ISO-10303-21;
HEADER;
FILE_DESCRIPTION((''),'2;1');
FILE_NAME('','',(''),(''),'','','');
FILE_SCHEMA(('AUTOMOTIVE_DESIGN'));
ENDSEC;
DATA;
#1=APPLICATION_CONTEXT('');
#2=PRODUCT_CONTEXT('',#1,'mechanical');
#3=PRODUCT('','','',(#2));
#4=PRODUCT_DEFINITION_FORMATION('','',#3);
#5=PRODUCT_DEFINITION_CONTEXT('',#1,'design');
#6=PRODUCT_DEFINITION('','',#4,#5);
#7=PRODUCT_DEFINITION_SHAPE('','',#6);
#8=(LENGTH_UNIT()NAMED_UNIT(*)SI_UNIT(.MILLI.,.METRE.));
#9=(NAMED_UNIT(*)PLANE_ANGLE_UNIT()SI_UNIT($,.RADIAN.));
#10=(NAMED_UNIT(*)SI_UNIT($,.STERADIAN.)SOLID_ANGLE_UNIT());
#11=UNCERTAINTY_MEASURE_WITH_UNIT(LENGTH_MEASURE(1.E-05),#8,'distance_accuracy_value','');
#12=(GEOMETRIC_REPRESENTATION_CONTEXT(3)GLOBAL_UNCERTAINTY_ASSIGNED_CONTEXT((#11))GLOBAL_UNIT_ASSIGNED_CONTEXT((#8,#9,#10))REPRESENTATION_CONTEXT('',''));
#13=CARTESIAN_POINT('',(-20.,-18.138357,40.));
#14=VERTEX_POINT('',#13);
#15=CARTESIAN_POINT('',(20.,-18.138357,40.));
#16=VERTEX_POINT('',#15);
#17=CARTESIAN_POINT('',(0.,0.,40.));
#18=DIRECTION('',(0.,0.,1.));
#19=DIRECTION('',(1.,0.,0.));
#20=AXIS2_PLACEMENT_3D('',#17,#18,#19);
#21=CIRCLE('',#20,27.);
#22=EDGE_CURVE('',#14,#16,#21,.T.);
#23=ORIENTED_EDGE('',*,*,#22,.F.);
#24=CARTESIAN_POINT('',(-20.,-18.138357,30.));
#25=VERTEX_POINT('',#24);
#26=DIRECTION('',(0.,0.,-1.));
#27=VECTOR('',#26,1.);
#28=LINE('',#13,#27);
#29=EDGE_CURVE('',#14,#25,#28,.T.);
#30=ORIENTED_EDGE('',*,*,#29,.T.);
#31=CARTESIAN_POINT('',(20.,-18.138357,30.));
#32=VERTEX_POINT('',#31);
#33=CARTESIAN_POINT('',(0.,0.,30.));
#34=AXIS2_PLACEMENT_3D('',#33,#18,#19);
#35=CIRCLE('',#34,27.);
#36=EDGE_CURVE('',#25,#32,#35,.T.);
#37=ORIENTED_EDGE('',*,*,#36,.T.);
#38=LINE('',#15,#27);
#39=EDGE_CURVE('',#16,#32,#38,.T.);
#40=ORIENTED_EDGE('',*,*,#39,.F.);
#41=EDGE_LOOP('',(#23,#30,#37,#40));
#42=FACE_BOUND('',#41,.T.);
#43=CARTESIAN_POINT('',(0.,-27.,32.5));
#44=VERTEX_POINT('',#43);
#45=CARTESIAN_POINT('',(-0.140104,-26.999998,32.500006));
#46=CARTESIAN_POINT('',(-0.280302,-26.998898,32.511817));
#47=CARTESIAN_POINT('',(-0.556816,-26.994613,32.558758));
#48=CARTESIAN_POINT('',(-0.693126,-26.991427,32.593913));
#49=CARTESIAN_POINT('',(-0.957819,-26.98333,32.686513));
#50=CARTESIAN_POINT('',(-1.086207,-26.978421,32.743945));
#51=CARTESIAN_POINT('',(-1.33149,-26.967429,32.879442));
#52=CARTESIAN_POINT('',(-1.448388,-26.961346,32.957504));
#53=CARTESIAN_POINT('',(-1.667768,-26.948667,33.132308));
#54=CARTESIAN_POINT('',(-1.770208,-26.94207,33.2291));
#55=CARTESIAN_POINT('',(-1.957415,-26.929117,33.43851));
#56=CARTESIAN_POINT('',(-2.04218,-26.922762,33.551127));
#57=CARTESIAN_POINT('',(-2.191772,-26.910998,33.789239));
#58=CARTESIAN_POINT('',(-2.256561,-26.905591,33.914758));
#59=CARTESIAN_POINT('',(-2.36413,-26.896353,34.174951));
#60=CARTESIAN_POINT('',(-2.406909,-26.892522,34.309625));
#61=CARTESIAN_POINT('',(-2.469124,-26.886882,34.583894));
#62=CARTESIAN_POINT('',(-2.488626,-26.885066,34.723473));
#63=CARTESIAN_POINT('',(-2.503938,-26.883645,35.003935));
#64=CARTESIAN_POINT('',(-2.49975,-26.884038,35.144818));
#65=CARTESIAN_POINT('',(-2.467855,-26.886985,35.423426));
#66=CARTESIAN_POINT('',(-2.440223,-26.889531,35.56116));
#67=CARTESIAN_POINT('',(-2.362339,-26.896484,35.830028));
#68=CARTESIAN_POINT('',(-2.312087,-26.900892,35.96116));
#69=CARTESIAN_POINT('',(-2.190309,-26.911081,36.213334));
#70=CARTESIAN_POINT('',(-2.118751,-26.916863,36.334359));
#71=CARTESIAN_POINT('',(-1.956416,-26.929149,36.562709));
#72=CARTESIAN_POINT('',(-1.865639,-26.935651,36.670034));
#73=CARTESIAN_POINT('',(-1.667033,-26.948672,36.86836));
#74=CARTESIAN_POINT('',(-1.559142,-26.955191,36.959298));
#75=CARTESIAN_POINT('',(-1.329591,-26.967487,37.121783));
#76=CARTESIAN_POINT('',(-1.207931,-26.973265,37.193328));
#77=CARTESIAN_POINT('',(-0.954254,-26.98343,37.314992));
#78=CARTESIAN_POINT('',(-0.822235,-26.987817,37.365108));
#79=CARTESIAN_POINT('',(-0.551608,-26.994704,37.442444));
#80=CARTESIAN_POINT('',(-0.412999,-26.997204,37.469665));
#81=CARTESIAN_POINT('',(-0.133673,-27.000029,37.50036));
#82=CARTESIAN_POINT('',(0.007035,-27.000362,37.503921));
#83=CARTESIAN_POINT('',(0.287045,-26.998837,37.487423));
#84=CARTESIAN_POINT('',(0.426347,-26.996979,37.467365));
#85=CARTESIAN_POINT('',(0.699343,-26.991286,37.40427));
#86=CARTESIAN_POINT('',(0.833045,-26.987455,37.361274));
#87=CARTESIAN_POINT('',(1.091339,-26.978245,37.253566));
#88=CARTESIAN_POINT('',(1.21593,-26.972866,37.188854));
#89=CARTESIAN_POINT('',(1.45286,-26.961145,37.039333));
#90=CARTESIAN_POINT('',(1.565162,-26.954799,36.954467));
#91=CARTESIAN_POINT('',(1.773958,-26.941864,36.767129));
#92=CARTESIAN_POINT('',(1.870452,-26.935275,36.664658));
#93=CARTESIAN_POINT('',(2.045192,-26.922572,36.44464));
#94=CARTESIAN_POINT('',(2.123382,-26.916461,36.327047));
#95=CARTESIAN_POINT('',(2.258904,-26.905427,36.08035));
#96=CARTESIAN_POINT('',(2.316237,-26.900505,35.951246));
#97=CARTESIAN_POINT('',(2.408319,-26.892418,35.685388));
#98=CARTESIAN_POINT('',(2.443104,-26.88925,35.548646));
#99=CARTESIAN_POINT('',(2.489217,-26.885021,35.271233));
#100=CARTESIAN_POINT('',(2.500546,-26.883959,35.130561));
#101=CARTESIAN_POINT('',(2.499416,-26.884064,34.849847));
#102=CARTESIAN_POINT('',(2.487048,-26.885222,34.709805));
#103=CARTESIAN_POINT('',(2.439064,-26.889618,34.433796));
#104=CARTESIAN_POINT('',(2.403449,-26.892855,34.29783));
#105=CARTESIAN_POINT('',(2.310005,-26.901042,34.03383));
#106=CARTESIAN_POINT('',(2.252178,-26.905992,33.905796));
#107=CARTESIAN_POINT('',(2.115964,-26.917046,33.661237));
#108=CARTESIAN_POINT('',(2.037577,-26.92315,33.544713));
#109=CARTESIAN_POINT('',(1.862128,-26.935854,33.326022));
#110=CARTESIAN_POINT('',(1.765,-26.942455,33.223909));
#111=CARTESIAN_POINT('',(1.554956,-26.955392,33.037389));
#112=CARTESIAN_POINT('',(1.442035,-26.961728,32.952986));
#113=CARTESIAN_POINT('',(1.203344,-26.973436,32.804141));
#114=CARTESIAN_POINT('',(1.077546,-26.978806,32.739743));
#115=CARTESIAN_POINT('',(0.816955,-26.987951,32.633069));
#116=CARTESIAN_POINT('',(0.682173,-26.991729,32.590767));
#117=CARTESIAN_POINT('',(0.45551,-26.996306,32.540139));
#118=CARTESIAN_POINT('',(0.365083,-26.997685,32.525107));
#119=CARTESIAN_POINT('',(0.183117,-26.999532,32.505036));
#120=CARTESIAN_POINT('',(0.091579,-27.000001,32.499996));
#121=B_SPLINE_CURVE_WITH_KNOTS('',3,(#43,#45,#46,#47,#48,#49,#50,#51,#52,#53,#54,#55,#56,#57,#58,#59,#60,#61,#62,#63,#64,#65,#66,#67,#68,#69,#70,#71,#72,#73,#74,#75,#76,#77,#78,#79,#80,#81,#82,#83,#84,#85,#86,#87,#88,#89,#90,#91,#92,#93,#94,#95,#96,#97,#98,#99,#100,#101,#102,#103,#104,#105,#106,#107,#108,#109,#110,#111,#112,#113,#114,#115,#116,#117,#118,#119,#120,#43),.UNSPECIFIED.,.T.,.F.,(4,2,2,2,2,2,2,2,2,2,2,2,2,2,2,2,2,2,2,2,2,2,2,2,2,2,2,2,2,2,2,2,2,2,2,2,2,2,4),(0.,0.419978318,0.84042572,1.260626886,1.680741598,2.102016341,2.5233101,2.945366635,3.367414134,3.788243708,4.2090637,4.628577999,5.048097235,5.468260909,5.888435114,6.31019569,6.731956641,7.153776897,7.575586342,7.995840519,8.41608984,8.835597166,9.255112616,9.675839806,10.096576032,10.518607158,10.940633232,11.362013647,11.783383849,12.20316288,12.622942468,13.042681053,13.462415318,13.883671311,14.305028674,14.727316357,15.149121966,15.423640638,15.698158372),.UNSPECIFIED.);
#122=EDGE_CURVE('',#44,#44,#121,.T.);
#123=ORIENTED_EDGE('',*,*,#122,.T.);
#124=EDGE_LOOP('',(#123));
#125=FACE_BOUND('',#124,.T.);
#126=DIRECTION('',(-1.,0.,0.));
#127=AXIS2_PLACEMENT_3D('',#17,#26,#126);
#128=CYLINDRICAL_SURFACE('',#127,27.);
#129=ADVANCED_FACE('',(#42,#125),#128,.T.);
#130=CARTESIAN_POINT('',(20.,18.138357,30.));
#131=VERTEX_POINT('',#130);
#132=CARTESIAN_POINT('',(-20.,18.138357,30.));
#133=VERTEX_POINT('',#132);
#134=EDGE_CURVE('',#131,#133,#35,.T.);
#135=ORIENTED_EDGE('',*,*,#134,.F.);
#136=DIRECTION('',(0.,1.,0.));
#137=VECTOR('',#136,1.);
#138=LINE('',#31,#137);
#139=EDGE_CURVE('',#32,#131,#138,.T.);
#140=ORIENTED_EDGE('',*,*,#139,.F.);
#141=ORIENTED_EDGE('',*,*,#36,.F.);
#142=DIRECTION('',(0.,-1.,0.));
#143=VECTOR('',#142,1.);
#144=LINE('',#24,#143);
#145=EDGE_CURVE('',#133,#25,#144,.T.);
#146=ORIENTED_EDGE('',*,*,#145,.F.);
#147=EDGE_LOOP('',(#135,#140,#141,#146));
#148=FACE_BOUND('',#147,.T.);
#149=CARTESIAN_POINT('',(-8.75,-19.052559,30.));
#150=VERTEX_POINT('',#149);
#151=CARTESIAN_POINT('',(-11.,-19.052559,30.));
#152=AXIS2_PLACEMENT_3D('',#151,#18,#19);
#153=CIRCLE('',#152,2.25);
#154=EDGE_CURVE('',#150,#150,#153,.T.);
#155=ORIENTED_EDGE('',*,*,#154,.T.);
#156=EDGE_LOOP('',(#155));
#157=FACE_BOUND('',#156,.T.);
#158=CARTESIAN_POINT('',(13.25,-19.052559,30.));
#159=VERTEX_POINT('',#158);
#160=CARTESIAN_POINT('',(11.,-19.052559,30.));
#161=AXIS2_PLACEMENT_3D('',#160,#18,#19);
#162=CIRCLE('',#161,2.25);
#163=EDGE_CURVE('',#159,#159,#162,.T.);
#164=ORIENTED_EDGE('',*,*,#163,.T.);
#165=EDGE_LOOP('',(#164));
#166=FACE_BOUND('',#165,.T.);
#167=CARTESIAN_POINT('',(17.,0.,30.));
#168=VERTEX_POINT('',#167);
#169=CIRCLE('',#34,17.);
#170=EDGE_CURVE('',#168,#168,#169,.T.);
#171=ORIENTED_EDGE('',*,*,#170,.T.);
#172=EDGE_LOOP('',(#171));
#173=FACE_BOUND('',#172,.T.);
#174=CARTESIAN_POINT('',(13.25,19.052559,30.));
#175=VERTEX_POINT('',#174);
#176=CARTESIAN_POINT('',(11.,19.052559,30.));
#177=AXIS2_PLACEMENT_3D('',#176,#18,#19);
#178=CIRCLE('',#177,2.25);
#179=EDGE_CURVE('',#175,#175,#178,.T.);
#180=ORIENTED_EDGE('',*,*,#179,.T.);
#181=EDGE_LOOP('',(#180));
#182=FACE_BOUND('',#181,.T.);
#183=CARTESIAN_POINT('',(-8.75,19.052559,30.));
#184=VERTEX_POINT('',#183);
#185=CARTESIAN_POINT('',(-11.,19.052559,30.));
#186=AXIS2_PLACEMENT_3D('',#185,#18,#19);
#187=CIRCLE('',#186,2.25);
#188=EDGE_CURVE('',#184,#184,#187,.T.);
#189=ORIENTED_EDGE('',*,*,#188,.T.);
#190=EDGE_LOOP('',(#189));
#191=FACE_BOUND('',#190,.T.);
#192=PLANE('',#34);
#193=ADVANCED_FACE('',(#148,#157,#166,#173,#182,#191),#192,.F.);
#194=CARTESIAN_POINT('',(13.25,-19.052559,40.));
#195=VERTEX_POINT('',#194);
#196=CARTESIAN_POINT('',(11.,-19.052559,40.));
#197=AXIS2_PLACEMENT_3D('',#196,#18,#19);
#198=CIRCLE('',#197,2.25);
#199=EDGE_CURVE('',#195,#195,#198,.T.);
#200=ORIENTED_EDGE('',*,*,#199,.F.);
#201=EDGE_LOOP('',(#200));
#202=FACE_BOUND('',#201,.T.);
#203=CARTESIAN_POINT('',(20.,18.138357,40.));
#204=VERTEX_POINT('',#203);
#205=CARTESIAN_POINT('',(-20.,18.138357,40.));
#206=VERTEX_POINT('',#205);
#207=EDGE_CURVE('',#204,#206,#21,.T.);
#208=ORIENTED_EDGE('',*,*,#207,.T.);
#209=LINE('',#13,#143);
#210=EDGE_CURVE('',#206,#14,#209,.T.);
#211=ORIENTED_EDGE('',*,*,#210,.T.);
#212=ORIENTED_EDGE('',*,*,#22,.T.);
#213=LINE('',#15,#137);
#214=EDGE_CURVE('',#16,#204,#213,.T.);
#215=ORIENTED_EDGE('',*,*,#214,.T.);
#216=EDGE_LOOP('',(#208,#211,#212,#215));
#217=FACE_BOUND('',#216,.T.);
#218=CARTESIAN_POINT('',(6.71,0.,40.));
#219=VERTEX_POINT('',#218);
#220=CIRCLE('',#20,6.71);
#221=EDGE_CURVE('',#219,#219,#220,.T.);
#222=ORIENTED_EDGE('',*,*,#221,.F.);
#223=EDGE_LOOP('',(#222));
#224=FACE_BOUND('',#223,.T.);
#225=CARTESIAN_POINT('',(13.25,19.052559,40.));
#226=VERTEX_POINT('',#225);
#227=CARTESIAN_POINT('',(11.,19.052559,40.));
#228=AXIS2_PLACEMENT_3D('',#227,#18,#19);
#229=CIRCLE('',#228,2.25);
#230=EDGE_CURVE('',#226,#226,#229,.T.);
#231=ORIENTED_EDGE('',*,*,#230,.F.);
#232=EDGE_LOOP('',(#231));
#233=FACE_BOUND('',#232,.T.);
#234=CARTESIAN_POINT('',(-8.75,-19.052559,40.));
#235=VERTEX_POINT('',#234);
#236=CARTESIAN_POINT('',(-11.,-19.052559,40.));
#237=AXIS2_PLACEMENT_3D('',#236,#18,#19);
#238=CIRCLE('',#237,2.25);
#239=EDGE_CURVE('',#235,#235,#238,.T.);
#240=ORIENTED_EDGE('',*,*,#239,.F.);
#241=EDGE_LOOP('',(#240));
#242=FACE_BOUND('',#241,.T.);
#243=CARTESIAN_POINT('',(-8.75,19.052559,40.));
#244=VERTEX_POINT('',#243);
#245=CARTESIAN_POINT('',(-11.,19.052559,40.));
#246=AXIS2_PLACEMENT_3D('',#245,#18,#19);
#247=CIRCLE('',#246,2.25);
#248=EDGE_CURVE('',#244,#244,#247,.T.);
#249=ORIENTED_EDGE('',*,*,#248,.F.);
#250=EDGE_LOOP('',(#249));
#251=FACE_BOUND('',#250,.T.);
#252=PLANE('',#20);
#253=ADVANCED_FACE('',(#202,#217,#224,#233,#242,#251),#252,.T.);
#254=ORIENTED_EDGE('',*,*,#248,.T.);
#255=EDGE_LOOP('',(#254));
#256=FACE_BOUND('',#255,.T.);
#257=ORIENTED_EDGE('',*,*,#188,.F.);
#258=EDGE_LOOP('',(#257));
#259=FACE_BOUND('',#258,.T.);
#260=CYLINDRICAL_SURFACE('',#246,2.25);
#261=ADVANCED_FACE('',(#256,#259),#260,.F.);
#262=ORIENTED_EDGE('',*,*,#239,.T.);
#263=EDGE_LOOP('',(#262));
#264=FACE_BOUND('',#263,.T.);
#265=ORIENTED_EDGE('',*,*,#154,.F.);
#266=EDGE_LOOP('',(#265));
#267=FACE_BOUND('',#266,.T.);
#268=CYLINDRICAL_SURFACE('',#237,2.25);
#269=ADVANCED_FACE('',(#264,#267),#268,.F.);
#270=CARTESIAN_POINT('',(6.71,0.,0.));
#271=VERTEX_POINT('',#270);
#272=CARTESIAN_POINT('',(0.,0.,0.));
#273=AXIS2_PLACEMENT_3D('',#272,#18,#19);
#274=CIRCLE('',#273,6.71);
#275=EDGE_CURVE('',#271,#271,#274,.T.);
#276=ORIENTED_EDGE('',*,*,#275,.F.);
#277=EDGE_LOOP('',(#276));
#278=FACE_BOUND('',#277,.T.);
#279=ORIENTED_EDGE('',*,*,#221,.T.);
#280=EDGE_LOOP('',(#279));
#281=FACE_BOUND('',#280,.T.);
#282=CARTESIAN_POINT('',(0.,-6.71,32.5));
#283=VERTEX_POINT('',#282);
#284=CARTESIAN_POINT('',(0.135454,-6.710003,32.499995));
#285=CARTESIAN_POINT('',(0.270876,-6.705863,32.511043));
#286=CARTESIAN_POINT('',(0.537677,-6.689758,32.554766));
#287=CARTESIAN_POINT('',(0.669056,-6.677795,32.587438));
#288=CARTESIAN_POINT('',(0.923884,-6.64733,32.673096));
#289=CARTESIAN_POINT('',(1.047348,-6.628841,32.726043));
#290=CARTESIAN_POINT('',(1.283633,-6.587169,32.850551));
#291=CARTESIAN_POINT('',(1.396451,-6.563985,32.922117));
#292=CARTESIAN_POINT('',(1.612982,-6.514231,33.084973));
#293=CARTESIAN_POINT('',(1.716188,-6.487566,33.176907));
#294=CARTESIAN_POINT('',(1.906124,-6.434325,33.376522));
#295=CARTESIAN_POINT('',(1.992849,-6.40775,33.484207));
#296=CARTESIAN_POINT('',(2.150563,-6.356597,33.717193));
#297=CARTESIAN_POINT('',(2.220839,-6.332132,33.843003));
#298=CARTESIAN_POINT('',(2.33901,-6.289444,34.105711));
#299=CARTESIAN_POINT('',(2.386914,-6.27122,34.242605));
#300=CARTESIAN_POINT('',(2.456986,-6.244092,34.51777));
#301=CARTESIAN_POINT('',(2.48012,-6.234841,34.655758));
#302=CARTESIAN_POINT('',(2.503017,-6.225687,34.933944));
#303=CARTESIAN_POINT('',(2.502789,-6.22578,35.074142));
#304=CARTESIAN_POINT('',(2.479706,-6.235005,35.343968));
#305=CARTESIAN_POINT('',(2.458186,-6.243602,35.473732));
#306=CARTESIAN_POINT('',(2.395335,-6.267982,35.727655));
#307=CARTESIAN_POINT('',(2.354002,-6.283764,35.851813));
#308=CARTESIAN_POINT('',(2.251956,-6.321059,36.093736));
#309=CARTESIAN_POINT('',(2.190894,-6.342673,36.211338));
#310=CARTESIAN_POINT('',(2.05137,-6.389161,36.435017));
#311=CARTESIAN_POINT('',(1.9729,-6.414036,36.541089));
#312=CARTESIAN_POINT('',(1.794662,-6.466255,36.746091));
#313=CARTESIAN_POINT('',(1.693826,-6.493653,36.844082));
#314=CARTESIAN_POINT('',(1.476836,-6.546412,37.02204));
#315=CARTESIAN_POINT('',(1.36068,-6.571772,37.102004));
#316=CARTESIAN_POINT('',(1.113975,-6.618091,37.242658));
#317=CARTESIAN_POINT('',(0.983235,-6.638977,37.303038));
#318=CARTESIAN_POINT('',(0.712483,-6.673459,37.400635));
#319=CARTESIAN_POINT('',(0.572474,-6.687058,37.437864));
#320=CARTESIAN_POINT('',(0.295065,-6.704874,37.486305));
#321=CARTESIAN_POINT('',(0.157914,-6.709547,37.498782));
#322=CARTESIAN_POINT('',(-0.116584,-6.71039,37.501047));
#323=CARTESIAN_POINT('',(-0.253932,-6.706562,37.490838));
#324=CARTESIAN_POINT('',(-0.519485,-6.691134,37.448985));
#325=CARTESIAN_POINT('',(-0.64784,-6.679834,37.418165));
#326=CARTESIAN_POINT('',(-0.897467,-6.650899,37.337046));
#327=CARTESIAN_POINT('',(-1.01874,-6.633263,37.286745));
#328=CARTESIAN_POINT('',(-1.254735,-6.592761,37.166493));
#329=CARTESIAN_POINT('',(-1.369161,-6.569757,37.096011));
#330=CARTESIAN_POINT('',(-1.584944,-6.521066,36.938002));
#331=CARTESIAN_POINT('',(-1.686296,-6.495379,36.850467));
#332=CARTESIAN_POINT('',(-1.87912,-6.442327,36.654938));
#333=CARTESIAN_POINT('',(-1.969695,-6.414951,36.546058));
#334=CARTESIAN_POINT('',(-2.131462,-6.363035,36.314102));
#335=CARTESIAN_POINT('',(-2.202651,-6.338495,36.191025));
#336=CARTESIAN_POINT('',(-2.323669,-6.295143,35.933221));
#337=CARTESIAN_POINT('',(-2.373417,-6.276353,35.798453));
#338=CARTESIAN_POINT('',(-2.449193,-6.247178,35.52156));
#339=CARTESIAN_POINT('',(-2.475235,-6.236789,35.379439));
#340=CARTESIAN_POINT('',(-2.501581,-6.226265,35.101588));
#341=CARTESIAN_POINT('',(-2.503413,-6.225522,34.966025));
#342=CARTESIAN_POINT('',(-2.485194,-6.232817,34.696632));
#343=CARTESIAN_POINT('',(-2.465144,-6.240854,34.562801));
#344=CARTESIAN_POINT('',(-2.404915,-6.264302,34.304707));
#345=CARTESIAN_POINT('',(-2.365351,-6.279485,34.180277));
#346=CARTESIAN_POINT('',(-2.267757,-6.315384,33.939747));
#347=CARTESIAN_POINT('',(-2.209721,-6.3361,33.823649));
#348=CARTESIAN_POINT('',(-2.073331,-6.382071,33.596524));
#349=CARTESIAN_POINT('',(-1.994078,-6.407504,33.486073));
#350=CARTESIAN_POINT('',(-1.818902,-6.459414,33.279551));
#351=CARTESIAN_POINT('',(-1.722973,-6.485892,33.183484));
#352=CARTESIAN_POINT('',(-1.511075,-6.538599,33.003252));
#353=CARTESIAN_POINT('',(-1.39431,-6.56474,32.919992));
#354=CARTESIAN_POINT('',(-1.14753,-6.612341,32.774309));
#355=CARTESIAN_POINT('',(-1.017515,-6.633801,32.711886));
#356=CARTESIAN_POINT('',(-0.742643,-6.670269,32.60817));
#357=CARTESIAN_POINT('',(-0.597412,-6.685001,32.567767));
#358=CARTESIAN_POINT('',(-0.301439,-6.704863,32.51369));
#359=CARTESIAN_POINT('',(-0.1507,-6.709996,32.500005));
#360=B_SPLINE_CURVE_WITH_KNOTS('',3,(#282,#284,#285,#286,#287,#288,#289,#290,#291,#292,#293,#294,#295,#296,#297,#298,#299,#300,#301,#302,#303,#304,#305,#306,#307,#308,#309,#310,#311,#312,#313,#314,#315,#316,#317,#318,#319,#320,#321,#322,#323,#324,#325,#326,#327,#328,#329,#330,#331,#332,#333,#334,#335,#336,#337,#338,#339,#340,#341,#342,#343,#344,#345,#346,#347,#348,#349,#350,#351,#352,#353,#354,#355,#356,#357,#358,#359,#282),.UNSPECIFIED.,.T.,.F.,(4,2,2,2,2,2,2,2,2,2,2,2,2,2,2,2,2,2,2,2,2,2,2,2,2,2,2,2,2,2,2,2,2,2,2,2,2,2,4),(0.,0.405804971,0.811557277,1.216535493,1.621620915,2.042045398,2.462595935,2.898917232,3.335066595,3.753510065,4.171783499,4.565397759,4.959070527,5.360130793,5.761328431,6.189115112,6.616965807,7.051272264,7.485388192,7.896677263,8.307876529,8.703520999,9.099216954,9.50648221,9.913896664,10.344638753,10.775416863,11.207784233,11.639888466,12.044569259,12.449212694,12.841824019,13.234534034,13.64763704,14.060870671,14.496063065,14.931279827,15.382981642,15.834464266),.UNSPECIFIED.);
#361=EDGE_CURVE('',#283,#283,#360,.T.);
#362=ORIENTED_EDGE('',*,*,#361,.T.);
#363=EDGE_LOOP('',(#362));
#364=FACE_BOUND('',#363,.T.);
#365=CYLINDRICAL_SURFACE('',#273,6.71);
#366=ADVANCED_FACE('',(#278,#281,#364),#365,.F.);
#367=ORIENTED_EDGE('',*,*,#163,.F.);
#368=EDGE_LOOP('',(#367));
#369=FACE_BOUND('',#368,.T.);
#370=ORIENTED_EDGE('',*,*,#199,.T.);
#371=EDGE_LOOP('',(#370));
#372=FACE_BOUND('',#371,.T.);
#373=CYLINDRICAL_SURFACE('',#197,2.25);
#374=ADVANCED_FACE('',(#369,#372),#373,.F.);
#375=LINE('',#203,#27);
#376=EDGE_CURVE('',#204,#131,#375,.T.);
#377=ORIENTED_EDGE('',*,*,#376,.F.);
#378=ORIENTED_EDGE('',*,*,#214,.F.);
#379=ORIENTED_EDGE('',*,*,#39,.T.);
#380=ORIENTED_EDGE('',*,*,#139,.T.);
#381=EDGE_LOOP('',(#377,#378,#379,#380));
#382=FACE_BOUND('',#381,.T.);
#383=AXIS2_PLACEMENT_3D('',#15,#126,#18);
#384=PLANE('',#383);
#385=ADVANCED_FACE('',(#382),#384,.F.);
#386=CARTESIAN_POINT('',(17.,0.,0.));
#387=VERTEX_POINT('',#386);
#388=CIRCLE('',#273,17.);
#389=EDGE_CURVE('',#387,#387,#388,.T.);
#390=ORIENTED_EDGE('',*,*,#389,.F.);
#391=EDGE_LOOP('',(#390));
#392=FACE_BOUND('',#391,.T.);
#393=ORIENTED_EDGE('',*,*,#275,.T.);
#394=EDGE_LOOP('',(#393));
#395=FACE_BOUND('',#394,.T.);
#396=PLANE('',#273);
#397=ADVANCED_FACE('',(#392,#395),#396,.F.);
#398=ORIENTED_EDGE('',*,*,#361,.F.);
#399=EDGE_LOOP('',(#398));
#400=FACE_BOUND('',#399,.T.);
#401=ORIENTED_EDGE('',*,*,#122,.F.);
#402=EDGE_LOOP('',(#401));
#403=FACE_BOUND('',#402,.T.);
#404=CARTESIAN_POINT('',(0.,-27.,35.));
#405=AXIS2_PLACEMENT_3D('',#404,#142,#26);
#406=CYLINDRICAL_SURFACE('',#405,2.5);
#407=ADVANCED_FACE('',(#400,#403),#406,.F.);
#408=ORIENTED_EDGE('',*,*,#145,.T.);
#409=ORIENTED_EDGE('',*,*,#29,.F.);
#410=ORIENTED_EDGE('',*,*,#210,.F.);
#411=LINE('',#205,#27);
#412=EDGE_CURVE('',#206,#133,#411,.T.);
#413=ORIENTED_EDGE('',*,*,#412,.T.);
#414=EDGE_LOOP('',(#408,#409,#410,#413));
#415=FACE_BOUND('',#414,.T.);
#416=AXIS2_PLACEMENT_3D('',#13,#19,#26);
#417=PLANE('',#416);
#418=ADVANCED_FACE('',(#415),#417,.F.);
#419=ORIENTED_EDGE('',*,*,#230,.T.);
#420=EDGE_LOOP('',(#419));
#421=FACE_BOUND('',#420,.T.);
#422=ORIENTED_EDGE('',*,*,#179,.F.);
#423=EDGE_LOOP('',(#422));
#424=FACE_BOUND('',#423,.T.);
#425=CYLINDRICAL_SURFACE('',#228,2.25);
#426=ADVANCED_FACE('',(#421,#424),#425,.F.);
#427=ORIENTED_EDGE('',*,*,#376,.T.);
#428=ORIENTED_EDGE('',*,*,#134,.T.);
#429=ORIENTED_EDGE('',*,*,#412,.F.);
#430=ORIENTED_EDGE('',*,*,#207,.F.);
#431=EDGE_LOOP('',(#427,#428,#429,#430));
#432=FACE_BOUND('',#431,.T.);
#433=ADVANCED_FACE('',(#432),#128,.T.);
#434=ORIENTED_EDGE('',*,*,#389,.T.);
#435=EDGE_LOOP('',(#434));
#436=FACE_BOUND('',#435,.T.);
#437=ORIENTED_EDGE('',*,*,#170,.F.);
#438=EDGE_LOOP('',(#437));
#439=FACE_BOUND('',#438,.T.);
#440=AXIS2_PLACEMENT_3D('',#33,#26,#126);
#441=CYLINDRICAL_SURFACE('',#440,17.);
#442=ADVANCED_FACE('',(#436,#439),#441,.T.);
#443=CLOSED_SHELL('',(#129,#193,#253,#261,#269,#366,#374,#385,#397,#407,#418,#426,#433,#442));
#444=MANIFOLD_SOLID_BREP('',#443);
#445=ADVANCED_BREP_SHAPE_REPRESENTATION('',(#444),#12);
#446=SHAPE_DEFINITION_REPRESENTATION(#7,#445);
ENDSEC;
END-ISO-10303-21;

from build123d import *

# Parameters (mm, degrees)
SKETCH1_R                        = 17
BOSS_EXTRUDE1_DEPTH              = 30
BOSS_EXTRUDE2_DEPTH              = 10
SKETCH4_R                        = 6.71
CUT_EXTRUDE1_DEPTH               = 53.239831546
TAP_DRILL_FOR_M6X1_0_TAP1_REACH  = 72.114
TAP_DRILL_FOR_M6X1_0_TAP1_BORE_R = 2.5
F_4_5_4_5_DIAMETER_HOLE1_D       = 4.5


with BuildPart() as part:
    # Sketch1 → Boss-Extrude1 (new body)
    with BuildSketch(Plane.XY):
        Circle(SKETCH1_R)
    extrude(amount=BOSS_EXTRUDE1_DEPTH)

    # Sketch3 → Boss-Extrude2 (add)
    with BuildSketch(Plane.XY.offset(30)):
        with BuildLine():
            Line((-20, -18.138357147), (-20, 18.138357147))
            ThreePointArc((-20, 18.138357147), (0, 27), (20, 18.138357147))
            Line((20, 18.138357147), (20, -18.138357147))
            ThreePointArc((20, -18.138357147), (0, -27), (-20, -18.138357147))
        make_face()
    extrude(amount=BOSS_EXTRUDE2_DEPTH)

    # Sketch4 → Cut-Extrude1 (cut, through all)
    with BuildSketch(Plane.XY.offset(40)):
        Circle(SKETCH4_R)
    extrude(amount=-CUT_EXTRUDE1_DEPTH, mode=Mode.SUBTRACT)

    # Tap Drill for M6x1.0 Tap1 bore → Tap Drill for M6x1.0 Tap1 (cut, up to next)
    with BuildSketch(Plane(origin=(0, -27, 0), x_dir=(-1, 0, 0), z_dir=(0, -1, 0)), mode=Mode.PRIVATE) as tap_drill_for_m6x1_0_tap1_sk1:
        with Locations((0, -35)):
            Circle(TAP_DRILL_FOR_M6X1_0_TAP1_BORE_R)
    tap_drill_for_m6x1_0_tap1_tool1 = extrude(tap_drill_for_m6x1_0_tap1_sk1.sketch, amount=-TAP_DRILL_FOR_M6X1_0_TAP1_REACH, mode=Mode.PRIVATE) & part.part
    add(tap_drill_for_m6x1_0_tap1_tool1.solids().sort_by_distance((0, -27, 35))[0], mode=Mode.SUBTRACT)

    # Ø4.5 (4.5) Diameter Hole1 (through all)
    with Locations(Plane.XY.offset(40)):
        with Locations((-11, -19.052558883), (-11, 19.052558883), (11, 19.052558883), (11, -19.052558883)):
            Hole(F_4_5_4_5_DIAMETER_HOLE1_D / 2)


solid = part.part
